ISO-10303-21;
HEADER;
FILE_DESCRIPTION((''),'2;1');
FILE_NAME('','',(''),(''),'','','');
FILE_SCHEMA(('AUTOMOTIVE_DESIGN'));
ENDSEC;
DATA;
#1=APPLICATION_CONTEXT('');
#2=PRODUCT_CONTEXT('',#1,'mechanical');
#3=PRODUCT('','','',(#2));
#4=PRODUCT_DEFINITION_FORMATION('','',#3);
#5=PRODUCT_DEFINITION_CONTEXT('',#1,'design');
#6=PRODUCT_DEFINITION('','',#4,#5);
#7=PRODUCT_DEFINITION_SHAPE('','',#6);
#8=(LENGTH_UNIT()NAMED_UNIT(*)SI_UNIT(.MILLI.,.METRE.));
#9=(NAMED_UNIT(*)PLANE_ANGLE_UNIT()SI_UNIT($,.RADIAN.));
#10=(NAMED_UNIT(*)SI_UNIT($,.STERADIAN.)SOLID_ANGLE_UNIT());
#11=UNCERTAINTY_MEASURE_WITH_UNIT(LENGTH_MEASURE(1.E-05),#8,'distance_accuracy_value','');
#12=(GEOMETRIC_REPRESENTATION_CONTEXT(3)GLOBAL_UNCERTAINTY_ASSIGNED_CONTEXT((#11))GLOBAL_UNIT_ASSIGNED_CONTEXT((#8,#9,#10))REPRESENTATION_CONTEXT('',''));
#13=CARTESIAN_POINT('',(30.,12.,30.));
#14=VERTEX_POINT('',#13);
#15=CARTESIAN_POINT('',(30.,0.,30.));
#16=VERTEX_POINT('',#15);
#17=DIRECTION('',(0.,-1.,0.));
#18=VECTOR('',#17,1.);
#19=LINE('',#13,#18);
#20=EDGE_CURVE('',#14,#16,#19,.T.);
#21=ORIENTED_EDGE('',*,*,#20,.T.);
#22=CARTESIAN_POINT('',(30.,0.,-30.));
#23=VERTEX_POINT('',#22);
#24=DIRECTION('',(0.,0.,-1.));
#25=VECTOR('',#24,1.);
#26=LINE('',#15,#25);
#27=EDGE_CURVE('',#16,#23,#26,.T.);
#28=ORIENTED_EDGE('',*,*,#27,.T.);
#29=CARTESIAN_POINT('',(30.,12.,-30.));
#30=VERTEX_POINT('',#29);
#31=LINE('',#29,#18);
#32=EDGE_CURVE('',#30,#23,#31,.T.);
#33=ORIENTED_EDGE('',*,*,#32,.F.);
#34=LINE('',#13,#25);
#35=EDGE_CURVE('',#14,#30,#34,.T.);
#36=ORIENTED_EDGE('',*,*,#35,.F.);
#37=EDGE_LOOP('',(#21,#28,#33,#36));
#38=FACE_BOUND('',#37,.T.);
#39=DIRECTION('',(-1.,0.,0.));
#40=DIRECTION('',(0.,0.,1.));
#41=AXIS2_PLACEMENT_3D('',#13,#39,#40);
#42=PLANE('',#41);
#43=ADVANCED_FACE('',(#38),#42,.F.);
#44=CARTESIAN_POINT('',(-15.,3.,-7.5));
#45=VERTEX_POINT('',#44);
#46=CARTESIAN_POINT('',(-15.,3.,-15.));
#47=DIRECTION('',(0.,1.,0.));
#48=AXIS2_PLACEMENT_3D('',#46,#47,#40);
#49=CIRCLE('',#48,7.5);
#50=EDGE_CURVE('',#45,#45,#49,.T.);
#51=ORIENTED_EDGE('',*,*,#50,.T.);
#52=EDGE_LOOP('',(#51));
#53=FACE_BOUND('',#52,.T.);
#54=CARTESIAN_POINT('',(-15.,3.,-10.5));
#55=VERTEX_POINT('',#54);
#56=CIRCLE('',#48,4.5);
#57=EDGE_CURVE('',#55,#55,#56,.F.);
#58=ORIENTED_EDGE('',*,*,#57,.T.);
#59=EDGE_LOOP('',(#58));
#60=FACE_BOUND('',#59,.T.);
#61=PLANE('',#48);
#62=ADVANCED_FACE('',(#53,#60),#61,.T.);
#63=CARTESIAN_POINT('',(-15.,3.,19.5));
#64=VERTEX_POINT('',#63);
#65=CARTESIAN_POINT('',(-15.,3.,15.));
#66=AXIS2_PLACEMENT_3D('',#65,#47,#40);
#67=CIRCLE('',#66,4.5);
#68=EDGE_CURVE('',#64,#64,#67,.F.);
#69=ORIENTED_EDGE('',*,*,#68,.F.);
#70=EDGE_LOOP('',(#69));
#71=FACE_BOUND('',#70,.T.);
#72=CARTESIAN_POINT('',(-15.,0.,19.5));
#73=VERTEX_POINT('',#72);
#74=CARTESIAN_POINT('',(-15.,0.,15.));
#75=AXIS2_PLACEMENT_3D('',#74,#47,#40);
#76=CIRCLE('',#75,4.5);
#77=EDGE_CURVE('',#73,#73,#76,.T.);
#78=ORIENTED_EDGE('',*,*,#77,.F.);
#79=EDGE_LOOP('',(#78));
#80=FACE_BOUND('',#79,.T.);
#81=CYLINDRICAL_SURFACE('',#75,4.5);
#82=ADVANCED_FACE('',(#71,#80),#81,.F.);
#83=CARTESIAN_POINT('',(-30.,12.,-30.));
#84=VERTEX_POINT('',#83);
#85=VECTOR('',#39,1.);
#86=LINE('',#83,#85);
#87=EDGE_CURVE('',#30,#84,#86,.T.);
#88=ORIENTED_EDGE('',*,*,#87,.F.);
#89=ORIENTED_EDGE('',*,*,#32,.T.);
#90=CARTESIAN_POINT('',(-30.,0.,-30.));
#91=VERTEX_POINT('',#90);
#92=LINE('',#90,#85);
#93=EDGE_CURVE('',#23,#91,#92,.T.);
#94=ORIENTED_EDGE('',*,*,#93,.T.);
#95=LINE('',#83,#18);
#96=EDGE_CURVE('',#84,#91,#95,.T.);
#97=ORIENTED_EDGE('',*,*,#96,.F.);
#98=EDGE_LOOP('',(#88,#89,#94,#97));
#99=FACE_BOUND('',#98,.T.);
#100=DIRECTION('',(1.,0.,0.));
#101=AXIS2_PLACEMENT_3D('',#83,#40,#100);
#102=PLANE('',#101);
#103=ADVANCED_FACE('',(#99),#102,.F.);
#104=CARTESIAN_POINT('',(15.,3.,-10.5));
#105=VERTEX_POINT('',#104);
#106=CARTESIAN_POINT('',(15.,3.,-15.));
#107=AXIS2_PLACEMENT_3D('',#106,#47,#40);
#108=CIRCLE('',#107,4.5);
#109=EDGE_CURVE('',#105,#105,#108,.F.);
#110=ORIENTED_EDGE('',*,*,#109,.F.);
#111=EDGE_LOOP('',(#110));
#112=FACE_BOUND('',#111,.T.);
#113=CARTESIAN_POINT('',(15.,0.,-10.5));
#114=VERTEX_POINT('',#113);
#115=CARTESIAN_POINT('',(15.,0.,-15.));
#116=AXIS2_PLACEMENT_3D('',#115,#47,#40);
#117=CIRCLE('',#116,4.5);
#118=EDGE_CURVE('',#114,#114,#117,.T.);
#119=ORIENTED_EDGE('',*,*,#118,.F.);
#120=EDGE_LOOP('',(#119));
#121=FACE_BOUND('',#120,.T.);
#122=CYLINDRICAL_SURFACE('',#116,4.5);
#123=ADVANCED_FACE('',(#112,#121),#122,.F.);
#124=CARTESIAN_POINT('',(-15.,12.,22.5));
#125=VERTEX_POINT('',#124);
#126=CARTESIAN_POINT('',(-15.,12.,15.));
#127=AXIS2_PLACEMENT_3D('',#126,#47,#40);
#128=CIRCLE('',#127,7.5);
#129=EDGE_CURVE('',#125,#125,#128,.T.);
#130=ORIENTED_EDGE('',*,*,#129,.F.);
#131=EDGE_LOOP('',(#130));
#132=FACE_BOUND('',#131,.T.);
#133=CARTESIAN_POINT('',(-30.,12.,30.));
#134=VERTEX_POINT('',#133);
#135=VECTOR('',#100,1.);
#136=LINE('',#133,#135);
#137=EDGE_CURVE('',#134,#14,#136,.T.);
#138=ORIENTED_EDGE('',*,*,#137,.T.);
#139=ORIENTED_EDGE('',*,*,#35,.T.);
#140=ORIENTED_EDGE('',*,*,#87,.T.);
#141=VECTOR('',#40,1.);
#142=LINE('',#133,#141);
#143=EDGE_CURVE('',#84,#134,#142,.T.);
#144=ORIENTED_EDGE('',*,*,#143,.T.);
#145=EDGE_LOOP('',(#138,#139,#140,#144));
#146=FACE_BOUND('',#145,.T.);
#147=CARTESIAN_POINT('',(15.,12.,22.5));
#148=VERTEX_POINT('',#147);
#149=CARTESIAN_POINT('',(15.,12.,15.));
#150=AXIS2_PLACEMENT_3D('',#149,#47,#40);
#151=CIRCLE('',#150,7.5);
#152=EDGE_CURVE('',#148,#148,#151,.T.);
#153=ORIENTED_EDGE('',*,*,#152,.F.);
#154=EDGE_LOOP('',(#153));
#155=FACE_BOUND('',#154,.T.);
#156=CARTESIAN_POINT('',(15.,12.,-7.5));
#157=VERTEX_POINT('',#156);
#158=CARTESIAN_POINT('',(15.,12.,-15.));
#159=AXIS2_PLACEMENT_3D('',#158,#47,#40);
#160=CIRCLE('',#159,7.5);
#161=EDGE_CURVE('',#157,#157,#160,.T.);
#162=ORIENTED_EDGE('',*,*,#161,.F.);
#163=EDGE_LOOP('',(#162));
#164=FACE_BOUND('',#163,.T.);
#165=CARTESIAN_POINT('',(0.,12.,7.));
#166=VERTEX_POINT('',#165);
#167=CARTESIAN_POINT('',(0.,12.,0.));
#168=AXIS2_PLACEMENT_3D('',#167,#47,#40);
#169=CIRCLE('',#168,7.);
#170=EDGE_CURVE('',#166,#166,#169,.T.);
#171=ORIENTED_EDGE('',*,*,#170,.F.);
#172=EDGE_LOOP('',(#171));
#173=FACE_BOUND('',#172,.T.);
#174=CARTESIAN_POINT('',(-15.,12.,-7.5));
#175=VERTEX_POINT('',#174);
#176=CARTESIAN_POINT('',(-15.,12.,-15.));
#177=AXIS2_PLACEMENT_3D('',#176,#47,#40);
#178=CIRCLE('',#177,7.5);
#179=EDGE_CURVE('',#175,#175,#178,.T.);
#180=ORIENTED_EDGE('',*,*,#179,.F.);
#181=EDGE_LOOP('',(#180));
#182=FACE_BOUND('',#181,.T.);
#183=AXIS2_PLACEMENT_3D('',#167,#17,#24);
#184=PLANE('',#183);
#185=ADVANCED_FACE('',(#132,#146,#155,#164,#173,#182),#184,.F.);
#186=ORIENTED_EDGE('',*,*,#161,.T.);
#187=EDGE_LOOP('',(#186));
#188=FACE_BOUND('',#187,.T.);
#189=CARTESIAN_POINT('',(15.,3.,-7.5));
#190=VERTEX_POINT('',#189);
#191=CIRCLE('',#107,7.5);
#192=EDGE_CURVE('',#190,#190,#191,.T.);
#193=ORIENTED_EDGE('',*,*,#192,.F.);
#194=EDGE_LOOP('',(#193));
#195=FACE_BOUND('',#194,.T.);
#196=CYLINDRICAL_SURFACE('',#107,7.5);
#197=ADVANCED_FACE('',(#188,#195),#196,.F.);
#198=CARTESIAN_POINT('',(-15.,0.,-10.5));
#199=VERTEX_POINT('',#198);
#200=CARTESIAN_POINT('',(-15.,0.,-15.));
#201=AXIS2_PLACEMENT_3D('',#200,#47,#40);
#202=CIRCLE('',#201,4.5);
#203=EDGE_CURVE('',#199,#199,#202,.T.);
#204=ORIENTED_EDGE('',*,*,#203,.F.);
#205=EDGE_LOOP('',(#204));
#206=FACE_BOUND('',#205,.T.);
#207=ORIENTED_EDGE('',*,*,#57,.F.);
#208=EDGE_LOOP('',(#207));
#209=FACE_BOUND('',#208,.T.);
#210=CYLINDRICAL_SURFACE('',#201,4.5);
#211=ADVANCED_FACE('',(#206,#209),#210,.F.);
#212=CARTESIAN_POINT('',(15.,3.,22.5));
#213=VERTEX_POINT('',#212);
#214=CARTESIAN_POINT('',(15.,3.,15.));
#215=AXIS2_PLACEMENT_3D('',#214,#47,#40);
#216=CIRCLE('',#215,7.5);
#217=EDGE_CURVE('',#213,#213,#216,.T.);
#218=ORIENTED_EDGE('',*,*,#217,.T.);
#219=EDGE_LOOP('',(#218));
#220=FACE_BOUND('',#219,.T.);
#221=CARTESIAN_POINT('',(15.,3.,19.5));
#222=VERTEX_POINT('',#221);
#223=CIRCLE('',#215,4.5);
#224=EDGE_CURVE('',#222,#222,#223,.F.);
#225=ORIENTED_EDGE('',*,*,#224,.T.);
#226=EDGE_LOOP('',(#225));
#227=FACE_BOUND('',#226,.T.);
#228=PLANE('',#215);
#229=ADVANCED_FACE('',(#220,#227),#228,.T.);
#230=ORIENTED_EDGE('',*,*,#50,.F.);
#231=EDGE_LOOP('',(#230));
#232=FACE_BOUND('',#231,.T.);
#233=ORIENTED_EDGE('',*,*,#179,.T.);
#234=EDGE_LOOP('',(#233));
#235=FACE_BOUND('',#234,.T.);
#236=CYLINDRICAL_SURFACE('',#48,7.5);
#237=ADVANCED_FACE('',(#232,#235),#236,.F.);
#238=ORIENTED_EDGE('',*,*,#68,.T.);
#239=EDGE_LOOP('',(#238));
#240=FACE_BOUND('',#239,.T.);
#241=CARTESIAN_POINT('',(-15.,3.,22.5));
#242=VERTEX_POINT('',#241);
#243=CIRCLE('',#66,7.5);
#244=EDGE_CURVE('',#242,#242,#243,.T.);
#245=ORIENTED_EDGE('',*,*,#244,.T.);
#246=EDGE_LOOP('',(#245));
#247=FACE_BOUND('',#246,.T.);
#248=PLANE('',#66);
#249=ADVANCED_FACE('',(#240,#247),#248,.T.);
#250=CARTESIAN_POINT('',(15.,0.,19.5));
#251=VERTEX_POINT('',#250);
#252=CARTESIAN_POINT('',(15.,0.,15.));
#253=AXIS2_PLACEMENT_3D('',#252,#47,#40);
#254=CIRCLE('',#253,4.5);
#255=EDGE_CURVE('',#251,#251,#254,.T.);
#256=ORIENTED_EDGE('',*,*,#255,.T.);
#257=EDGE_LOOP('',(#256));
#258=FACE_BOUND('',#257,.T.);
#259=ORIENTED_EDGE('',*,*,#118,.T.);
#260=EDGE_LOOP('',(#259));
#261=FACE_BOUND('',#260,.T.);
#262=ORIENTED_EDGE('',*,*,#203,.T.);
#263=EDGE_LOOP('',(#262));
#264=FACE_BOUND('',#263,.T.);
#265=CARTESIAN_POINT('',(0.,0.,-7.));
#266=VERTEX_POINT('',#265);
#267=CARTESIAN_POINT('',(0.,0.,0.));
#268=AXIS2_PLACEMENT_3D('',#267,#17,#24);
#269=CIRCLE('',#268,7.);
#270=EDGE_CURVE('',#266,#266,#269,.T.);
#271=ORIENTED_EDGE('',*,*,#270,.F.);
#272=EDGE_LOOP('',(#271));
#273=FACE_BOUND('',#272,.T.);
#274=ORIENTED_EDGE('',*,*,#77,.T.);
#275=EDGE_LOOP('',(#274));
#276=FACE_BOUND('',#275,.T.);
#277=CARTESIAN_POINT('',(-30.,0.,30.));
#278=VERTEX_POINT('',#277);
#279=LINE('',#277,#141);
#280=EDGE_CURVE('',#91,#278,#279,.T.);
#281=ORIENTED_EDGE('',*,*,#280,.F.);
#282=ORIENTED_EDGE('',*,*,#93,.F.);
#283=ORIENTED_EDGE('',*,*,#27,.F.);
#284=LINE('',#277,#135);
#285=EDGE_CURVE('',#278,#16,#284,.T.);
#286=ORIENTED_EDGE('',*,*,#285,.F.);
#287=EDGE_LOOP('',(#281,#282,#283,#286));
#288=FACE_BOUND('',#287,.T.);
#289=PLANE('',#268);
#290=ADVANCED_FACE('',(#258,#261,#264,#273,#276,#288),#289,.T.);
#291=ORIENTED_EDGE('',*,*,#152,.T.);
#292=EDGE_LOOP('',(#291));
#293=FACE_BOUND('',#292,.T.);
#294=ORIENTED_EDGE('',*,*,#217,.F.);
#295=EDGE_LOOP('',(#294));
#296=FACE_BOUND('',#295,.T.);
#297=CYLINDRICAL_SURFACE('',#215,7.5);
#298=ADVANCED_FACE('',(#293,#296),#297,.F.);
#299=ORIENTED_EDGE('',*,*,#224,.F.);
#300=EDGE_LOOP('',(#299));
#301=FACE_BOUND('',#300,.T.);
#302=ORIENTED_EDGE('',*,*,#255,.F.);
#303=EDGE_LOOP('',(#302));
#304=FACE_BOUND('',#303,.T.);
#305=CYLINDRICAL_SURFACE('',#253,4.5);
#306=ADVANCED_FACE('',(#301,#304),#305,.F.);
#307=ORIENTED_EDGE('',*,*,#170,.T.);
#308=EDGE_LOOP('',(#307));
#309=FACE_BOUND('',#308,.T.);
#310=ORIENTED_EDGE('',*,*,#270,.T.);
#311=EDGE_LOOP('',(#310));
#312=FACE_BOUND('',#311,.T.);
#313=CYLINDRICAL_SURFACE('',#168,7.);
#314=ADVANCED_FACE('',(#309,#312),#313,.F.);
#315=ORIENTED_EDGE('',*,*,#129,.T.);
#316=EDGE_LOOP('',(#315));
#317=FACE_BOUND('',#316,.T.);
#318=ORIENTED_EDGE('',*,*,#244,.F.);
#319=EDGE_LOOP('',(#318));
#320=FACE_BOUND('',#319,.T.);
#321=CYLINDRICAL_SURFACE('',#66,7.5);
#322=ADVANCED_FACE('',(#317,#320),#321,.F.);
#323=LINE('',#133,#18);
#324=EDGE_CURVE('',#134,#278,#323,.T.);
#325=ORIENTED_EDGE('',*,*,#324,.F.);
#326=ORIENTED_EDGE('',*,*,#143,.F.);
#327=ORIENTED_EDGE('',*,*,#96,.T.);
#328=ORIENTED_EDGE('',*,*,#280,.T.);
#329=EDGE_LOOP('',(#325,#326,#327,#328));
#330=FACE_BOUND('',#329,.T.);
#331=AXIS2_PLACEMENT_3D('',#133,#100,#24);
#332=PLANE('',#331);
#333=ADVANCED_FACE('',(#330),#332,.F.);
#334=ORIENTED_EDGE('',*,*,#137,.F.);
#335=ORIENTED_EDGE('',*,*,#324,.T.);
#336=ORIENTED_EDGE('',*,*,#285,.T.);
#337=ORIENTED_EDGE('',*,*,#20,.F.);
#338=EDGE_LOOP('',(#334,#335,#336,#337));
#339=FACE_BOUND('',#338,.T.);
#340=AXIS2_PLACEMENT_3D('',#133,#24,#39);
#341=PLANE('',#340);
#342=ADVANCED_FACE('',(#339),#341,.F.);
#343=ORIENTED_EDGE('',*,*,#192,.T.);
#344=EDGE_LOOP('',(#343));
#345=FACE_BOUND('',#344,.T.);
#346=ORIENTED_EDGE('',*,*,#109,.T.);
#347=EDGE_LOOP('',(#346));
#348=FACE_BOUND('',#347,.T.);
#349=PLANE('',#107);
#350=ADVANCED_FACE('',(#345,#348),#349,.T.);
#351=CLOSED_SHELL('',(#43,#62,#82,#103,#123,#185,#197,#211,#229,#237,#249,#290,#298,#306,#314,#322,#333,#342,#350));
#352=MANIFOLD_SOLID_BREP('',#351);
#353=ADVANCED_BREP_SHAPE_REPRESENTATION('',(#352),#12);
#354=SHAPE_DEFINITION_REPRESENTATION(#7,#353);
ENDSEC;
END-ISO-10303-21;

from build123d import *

# Parameters (mm, degrees)
SKETCH_1_W             = 60
SKETCH_1_H             = 60
EXTRUDE_1_DEPTH        = 12
HOLE_WIZARD_M161_D     = 14
HOLE_WIZARD_M161_DEPTH = 12
SKETCH_12_R            = 4.5
CUT_EXTRUDE_1_DEPTH    = 13
SKETCH_13_R            = 7.5
CUT_EXTRUDE_2_DEPTH    = 9


with BuildPart() as part:
    # Эскиз1 → Бобышка-Вытянуть1 (new body)
    with BuildSketch(Plane(origin=(0, 0, 0), x_dir=(1, 0, 0), z_dir=(0, 1, 0))):
        Rectangle(SKETCH_1_W, SKETCH_1_H)
    extrude(amount=EXTRUDE_1_DEPTH)

    # Отверстие обработанное метчиком M161
    with Locations(Plane(origin=(0, 12, 0), x_dir=(1, 0, 0), z_dir=(0, 1, 0))):
        with Locations((0, 0)):
            Hole(HOLE_WIZARD_M161_D / 2, depth=HOLE_WIZARD_M161_DEPTH)

    # Эскиз12 → Вырез-Вытянуть1 (cut, through all)
    with BuildSketch(Plane(origin=(0, 12, 0), x_dir=(1, 0, 0), z_dir=(0, 1, 0))):
        with Locations(Location((-15, 15, 0), (0, 0, 270))):  # turned: the seam where the file's is
            Circle(SKETCH_12_R)
        with Locations(Location((15, 15, 0), (0, 0, 270))):  # turned: the seam where the file's is
            Circle(SKETCH_12_R)
        with Locations(Location((15, -15, 0), (0, 0, 270))):  # turned: the seam where the file's is
            Circle(SKETCH_12_R)
        with Locations(Location((-15, -15, 0), (0, 0, 270))):  # turned: the seam where the file's is
            Circle(SKETCH_12_R)
    extrude(amount=-CUT_EXTRUDE_1_DEPTH, mode=Mode.SUBTRACT)

    # Эскиз13 → Вырез-Вытянуть2 (cut)
    with BuildSketch(Plane(origin=(0, 12, 0), x_dir=(1, 0, 0), z_dir=(0, 1, 0))):
        with Locations(Location((-15, 15, 0), (0, 0, 270))):  # turned: the seam where the file's is
            Circle(SKETCH_13_R)
        with Locations(Location((15, 15, 0), (0, 0, 270))):  # turned: the seam where the file's is
            Circle(SKETCH_13_R)
        with Locations(Location((15, -15, 0), (0, 0, 270))):  # turned: the seam where the file's is
            Circle(SKETCH_13_R)
        with Locations(Location((-15, -15, 0), (0, 0, 270))):  # turned: the seam where the file's is
            Circle(SKETCH_13_R)
    extrude(amount=-CUT_EXTRUDE_2_DEPTH, mode=Mode.SUBTRACT)


solid = part.part
